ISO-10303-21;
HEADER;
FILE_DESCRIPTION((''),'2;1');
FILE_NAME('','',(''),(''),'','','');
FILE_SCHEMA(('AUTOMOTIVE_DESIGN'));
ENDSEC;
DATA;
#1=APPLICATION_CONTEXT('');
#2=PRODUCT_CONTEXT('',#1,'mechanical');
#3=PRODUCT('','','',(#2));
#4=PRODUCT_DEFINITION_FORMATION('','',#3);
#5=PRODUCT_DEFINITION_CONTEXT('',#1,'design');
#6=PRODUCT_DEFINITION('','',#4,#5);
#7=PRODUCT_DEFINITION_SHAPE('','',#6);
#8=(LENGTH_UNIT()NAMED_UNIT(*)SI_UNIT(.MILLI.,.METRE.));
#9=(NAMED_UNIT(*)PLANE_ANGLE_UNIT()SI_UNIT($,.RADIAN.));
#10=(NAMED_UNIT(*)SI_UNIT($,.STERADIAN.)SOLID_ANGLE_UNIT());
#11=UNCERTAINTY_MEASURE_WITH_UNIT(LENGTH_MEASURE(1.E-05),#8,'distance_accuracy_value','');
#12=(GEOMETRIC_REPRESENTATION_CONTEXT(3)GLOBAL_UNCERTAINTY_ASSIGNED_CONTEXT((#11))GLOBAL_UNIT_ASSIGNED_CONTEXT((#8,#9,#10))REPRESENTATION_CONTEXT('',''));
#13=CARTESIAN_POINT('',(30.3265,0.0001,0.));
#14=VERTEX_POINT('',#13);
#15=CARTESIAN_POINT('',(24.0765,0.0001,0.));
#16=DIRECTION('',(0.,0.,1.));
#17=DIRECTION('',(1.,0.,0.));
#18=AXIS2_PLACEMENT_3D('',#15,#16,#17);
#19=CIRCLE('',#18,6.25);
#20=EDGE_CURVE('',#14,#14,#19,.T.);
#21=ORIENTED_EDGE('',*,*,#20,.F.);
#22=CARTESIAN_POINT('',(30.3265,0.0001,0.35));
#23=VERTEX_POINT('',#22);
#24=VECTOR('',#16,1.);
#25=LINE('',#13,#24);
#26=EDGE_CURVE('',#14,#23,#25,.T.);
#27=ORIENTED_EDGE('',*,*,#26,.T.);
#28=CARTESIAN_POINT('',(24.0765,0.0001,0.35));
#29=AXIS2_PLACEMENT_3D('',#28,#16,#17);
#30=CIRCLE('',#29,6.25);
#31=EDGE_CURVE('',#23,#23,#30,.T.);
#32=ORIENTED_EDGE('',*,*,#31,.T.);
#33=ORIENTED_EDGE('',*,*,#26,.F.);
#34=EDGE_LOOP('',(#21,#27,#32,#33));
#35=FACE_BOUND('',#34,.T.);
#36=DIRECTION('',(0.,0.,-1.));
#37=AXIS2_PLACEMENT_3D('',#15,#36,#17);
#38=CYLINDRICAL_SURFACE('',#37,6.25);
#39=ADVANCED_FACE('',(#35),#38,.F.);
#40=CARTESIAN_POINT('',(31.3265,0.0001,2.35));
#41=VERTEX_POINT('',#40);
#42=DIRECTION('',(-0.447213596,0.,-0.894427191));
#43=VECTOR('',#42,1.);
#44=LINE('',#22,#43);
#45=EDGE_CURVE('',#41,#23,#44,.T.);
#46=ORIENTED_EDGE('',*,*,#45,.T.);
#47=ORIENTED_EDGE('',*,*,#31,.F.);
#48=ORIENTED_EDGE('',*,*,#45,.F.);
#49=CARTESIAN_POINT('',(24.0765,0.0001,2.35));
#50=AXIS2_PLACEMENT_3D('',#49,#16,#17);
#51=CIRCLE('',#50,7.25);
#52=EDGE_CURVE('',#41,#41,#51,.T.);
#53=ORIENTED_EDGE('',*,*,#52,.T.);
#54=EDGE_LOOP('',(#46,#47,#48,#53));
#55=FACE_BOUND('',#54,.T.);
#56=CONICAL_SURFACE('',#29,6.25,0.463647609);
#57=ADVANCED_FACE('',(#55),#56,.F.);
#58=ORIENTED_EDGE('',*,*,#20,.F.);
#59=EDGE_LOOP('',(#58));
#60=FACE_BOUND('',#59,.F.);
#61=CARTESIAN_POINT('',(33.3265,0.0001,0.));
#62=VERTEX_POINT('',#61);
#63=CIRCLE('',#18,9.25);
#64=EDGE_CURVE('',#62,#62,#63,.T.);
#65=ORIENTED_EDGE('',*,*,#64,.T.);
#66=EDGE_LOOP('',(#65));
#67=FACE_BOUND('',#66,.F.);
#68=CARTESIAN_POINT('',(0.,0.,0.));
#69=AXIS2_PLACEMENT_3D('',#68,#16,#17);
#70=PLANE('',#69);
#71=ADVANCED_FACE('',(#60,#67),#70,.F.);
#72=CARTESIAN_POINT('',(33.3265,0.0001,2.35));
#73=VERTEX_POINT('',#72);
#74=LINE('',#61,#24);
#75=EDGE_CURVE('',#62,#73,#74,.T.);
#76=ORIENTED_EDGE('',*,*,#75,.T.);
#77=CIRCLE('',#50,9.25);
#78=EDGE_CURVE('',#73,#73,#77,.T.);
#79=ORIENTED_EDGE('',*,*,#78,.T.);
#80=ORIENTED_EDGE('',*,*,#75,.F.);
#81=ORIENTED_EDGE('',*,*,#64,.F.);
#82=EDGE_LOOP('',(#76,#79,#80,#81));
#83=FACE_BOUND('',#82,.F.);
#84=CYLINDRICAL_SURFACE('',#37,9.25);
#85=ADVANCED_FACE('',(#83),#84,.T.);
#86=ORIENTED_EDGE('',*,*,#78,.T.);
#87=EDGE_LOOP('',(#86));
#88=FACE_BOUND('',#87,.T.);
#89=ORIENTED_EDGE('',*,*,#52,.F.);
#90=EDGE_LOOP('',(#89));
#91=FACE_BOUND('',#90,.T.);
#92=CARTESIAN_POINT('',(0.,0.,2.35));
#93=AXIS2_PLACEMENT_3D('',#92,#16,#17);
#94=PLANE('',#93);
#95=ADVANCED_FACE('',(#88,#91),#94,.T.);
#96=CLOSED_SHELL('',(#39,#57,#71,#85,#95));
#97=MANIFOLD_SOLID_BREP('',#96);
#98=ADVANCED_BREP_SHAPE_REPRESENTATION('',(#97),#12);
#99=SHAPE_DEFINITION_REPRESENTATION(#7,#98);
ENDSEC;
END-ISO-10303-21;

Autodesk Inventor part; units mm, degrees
ref_plane "YZ Plane" through (0, 0, 0) normal (1, 0, 0) x (0, 1, 0)
ref_plane "XZ Plane" through (0, 0, 0) normal (0, 1, 0) x (-1, 0, 0)
ref_plane "XY Plane" through (0, 0, 0) normal (0, 0, 1) x (1, 0, 0)
sketch "Sketch1" plane through (0, 0, 0) normal (0, 0, 1) x (1, 0, 0)
  circle A0 centre (24.0765, 0.0001) radius 9.25 projected
  circle A1 centre (24.0765, 0.0001) radius 6.25
  point P0 (0, 0)
  dimension "d0" = 12.5
extrude "Extrusion1" add sketch "Sketch1" along normal blind 2.35
chamfer "Chamfer1" distance 1 distance2 2 1 edges at (17.8265, 0.0001, 2.35) measured on face at (32.2369, -0.7378, 2.35)
properties part number "unutrasnja plastika"
